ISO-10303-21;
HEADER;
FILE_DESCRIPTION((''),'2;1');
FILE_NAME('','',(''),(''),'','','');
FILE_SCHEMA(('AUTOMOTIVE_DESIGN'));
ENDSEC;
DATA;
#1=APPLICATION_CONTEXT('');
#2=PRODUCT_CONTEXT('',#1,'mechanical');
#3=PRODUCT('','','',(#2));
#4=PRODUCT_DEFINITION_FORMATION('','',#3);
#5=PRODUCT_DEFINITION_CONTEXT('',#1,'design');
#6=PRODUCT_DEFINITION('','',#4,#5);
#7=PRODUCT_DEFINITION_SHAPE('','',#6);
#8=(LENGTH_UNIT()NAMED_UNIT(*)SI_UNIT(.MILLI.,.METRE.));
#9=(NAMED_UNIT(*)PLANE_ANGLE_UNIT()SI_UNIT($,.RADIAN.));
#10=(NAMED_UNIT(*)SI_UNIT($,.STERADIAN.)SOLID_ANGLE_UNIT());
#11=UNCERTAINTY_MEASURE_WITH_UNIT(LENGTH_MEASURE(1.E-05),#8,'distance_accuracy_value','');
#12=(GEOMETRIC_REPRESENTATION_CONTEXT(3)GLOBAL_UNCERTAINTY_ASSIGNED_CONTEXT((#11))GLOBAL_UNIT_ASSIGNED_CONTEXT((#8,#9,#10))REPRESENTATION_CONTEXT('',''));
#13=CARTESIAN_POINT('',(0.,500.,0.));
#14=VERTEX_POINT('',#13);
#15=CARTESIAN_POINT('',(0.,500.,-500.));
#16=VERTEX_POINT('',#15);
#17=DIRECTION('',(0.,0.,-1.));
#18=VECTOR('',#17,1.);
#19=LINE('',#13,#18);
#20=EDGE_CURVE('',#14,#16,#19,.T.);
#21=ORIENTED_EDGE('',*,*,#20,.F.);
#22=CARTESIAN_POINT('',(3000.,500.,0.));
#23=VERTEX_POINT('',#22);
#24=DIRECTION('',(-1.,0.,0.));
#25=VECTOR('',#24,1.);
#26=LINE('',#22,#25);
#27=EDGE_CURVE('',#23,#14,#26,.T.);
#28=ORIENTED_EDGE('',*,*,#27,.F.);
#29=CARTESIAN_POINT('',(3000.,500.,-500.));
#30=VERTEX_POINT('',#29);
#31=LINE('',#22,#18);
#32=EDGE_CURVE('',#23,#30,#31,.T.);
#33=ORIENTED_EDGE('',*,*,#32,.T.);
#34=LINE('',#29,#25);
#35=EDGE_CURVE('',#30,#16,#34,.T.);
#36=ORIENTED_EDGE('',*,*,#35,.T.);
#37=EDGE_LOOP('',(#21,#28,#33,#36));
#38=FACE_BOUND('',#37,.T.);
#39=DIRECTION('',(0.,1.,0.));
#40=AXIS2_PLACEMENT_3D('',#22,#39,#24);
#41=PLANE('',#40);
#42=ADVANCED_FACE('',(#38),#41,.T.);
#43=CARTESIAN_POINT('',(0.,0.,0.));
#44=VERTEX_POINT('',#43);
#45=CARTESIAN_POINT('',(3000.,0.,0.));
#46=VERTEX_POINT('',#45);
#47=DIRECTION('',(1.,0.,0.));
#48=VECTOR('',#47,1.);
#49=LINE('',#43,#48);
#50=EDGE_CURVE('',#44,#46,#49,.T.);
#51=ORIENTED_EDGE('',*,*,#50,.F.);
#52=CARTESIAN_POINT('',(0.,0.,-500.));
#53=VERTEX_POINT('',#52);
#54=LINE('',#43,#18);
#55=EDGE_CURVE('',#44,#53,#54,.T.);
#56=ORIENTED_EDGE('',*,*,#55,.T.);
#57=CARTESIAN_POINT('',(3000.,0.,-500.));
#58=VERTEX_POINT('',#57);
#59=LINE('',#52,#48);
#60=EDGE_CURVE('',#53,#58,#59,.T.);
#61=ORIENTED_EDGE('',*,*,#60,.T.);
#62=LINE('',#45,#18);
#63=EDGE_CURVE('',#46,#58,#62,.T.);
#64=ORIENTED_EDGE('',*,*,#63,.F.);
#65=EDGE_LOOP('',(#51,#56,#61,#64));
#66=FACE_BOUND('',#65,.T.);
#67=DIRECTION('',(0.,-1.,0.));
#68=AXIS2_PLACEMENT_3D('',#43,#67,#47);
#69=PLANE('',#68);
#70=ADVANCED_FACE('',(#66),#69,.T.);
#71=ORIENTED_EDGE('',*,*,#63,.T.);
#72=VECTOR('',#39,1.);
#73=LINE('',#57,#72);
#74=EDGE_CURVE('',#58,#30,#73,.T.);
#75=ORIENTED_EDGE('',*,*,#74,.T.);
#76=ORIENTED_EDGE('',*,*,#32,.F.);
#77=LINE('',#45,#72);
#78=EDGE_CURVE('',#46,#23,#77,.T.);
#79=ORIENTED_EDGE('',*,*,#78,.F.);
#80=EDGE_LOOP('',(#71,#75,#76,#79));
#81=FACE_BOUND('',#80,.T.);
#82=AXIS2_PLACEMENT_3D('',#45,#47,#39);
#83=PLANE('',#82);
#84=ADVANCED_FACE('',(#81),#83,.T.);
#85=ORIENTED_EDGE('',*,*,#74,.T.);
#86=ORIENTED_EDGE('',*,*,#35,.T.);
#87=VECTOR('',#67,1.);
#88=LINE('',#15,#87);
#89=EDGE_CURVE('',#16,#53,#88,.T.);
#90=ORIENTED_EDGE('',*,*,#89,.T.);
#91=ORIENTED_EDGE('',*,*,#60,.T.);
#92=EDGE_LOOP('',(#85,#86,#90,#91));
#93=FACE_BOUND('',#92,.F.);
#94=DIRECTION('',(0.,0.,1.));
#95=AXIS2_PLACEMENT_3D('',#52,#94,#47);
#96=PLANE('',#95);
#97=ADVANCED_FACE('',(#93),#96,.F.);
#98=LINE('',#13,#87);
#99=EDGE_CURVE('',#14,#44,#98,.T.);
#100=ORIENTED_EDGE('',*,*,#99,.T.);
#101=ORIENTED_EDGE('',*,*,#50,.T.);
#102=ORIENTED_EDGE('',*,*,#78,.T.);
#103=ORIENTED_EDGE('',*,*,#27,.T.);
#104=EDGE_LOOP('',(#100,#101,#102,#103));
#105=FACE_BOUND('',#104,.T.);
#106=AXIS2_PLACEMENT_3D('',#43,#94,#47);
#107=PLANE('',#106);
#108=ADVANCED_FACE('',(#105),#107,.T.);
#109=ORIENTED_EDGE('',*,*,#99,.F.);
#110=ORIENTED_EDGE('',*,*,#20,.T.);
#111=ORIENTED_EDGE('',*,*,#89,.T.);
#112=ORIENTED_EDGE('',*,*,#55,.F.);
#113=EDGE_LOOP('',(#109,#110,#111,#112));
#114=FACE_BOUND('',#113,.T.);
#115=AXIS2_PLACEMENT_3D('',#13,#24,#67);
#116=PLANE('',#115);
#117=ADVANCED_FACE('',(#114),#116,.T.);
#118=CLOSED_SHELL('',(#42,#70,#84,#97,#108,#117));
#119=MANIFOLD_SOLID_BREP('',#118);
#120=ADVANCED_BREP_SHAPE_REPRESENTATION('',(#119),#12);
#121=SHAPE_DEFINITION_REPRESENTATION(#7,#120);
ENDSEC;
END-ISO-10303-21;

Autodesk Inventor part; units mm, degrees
ref_plane "YZ Plane" through (0, 0, 0) normal (1, 0, 0) x (0, 1, 0)
ref_plane "XZ Plane" through (0, 0, 0) normal (0, 1, 0) x (-1, 0, 0)
ref_plane "XY Plane" through (0, 0, 0) normal (0, 0, 1) x (1, 0, 0)
sketch "Sketch1" plane through (0, 0, 0) normal (0, 0, 1) x (1, 0, 0)
  line L0 (0, 0) -> (3000, 0)
  line L1 (3000, 0) -> (3000, 500)
  line L2 (3000, 500) -> (0, 500)
  line L3 (0, 500) -> (0, 0)
  dimension "d0" = 3000
  dimension "d1" = 500
extrude "Extrusion1" add sketch "Sketch1" against normal blind 500
properties material "Steel, Carbon"
